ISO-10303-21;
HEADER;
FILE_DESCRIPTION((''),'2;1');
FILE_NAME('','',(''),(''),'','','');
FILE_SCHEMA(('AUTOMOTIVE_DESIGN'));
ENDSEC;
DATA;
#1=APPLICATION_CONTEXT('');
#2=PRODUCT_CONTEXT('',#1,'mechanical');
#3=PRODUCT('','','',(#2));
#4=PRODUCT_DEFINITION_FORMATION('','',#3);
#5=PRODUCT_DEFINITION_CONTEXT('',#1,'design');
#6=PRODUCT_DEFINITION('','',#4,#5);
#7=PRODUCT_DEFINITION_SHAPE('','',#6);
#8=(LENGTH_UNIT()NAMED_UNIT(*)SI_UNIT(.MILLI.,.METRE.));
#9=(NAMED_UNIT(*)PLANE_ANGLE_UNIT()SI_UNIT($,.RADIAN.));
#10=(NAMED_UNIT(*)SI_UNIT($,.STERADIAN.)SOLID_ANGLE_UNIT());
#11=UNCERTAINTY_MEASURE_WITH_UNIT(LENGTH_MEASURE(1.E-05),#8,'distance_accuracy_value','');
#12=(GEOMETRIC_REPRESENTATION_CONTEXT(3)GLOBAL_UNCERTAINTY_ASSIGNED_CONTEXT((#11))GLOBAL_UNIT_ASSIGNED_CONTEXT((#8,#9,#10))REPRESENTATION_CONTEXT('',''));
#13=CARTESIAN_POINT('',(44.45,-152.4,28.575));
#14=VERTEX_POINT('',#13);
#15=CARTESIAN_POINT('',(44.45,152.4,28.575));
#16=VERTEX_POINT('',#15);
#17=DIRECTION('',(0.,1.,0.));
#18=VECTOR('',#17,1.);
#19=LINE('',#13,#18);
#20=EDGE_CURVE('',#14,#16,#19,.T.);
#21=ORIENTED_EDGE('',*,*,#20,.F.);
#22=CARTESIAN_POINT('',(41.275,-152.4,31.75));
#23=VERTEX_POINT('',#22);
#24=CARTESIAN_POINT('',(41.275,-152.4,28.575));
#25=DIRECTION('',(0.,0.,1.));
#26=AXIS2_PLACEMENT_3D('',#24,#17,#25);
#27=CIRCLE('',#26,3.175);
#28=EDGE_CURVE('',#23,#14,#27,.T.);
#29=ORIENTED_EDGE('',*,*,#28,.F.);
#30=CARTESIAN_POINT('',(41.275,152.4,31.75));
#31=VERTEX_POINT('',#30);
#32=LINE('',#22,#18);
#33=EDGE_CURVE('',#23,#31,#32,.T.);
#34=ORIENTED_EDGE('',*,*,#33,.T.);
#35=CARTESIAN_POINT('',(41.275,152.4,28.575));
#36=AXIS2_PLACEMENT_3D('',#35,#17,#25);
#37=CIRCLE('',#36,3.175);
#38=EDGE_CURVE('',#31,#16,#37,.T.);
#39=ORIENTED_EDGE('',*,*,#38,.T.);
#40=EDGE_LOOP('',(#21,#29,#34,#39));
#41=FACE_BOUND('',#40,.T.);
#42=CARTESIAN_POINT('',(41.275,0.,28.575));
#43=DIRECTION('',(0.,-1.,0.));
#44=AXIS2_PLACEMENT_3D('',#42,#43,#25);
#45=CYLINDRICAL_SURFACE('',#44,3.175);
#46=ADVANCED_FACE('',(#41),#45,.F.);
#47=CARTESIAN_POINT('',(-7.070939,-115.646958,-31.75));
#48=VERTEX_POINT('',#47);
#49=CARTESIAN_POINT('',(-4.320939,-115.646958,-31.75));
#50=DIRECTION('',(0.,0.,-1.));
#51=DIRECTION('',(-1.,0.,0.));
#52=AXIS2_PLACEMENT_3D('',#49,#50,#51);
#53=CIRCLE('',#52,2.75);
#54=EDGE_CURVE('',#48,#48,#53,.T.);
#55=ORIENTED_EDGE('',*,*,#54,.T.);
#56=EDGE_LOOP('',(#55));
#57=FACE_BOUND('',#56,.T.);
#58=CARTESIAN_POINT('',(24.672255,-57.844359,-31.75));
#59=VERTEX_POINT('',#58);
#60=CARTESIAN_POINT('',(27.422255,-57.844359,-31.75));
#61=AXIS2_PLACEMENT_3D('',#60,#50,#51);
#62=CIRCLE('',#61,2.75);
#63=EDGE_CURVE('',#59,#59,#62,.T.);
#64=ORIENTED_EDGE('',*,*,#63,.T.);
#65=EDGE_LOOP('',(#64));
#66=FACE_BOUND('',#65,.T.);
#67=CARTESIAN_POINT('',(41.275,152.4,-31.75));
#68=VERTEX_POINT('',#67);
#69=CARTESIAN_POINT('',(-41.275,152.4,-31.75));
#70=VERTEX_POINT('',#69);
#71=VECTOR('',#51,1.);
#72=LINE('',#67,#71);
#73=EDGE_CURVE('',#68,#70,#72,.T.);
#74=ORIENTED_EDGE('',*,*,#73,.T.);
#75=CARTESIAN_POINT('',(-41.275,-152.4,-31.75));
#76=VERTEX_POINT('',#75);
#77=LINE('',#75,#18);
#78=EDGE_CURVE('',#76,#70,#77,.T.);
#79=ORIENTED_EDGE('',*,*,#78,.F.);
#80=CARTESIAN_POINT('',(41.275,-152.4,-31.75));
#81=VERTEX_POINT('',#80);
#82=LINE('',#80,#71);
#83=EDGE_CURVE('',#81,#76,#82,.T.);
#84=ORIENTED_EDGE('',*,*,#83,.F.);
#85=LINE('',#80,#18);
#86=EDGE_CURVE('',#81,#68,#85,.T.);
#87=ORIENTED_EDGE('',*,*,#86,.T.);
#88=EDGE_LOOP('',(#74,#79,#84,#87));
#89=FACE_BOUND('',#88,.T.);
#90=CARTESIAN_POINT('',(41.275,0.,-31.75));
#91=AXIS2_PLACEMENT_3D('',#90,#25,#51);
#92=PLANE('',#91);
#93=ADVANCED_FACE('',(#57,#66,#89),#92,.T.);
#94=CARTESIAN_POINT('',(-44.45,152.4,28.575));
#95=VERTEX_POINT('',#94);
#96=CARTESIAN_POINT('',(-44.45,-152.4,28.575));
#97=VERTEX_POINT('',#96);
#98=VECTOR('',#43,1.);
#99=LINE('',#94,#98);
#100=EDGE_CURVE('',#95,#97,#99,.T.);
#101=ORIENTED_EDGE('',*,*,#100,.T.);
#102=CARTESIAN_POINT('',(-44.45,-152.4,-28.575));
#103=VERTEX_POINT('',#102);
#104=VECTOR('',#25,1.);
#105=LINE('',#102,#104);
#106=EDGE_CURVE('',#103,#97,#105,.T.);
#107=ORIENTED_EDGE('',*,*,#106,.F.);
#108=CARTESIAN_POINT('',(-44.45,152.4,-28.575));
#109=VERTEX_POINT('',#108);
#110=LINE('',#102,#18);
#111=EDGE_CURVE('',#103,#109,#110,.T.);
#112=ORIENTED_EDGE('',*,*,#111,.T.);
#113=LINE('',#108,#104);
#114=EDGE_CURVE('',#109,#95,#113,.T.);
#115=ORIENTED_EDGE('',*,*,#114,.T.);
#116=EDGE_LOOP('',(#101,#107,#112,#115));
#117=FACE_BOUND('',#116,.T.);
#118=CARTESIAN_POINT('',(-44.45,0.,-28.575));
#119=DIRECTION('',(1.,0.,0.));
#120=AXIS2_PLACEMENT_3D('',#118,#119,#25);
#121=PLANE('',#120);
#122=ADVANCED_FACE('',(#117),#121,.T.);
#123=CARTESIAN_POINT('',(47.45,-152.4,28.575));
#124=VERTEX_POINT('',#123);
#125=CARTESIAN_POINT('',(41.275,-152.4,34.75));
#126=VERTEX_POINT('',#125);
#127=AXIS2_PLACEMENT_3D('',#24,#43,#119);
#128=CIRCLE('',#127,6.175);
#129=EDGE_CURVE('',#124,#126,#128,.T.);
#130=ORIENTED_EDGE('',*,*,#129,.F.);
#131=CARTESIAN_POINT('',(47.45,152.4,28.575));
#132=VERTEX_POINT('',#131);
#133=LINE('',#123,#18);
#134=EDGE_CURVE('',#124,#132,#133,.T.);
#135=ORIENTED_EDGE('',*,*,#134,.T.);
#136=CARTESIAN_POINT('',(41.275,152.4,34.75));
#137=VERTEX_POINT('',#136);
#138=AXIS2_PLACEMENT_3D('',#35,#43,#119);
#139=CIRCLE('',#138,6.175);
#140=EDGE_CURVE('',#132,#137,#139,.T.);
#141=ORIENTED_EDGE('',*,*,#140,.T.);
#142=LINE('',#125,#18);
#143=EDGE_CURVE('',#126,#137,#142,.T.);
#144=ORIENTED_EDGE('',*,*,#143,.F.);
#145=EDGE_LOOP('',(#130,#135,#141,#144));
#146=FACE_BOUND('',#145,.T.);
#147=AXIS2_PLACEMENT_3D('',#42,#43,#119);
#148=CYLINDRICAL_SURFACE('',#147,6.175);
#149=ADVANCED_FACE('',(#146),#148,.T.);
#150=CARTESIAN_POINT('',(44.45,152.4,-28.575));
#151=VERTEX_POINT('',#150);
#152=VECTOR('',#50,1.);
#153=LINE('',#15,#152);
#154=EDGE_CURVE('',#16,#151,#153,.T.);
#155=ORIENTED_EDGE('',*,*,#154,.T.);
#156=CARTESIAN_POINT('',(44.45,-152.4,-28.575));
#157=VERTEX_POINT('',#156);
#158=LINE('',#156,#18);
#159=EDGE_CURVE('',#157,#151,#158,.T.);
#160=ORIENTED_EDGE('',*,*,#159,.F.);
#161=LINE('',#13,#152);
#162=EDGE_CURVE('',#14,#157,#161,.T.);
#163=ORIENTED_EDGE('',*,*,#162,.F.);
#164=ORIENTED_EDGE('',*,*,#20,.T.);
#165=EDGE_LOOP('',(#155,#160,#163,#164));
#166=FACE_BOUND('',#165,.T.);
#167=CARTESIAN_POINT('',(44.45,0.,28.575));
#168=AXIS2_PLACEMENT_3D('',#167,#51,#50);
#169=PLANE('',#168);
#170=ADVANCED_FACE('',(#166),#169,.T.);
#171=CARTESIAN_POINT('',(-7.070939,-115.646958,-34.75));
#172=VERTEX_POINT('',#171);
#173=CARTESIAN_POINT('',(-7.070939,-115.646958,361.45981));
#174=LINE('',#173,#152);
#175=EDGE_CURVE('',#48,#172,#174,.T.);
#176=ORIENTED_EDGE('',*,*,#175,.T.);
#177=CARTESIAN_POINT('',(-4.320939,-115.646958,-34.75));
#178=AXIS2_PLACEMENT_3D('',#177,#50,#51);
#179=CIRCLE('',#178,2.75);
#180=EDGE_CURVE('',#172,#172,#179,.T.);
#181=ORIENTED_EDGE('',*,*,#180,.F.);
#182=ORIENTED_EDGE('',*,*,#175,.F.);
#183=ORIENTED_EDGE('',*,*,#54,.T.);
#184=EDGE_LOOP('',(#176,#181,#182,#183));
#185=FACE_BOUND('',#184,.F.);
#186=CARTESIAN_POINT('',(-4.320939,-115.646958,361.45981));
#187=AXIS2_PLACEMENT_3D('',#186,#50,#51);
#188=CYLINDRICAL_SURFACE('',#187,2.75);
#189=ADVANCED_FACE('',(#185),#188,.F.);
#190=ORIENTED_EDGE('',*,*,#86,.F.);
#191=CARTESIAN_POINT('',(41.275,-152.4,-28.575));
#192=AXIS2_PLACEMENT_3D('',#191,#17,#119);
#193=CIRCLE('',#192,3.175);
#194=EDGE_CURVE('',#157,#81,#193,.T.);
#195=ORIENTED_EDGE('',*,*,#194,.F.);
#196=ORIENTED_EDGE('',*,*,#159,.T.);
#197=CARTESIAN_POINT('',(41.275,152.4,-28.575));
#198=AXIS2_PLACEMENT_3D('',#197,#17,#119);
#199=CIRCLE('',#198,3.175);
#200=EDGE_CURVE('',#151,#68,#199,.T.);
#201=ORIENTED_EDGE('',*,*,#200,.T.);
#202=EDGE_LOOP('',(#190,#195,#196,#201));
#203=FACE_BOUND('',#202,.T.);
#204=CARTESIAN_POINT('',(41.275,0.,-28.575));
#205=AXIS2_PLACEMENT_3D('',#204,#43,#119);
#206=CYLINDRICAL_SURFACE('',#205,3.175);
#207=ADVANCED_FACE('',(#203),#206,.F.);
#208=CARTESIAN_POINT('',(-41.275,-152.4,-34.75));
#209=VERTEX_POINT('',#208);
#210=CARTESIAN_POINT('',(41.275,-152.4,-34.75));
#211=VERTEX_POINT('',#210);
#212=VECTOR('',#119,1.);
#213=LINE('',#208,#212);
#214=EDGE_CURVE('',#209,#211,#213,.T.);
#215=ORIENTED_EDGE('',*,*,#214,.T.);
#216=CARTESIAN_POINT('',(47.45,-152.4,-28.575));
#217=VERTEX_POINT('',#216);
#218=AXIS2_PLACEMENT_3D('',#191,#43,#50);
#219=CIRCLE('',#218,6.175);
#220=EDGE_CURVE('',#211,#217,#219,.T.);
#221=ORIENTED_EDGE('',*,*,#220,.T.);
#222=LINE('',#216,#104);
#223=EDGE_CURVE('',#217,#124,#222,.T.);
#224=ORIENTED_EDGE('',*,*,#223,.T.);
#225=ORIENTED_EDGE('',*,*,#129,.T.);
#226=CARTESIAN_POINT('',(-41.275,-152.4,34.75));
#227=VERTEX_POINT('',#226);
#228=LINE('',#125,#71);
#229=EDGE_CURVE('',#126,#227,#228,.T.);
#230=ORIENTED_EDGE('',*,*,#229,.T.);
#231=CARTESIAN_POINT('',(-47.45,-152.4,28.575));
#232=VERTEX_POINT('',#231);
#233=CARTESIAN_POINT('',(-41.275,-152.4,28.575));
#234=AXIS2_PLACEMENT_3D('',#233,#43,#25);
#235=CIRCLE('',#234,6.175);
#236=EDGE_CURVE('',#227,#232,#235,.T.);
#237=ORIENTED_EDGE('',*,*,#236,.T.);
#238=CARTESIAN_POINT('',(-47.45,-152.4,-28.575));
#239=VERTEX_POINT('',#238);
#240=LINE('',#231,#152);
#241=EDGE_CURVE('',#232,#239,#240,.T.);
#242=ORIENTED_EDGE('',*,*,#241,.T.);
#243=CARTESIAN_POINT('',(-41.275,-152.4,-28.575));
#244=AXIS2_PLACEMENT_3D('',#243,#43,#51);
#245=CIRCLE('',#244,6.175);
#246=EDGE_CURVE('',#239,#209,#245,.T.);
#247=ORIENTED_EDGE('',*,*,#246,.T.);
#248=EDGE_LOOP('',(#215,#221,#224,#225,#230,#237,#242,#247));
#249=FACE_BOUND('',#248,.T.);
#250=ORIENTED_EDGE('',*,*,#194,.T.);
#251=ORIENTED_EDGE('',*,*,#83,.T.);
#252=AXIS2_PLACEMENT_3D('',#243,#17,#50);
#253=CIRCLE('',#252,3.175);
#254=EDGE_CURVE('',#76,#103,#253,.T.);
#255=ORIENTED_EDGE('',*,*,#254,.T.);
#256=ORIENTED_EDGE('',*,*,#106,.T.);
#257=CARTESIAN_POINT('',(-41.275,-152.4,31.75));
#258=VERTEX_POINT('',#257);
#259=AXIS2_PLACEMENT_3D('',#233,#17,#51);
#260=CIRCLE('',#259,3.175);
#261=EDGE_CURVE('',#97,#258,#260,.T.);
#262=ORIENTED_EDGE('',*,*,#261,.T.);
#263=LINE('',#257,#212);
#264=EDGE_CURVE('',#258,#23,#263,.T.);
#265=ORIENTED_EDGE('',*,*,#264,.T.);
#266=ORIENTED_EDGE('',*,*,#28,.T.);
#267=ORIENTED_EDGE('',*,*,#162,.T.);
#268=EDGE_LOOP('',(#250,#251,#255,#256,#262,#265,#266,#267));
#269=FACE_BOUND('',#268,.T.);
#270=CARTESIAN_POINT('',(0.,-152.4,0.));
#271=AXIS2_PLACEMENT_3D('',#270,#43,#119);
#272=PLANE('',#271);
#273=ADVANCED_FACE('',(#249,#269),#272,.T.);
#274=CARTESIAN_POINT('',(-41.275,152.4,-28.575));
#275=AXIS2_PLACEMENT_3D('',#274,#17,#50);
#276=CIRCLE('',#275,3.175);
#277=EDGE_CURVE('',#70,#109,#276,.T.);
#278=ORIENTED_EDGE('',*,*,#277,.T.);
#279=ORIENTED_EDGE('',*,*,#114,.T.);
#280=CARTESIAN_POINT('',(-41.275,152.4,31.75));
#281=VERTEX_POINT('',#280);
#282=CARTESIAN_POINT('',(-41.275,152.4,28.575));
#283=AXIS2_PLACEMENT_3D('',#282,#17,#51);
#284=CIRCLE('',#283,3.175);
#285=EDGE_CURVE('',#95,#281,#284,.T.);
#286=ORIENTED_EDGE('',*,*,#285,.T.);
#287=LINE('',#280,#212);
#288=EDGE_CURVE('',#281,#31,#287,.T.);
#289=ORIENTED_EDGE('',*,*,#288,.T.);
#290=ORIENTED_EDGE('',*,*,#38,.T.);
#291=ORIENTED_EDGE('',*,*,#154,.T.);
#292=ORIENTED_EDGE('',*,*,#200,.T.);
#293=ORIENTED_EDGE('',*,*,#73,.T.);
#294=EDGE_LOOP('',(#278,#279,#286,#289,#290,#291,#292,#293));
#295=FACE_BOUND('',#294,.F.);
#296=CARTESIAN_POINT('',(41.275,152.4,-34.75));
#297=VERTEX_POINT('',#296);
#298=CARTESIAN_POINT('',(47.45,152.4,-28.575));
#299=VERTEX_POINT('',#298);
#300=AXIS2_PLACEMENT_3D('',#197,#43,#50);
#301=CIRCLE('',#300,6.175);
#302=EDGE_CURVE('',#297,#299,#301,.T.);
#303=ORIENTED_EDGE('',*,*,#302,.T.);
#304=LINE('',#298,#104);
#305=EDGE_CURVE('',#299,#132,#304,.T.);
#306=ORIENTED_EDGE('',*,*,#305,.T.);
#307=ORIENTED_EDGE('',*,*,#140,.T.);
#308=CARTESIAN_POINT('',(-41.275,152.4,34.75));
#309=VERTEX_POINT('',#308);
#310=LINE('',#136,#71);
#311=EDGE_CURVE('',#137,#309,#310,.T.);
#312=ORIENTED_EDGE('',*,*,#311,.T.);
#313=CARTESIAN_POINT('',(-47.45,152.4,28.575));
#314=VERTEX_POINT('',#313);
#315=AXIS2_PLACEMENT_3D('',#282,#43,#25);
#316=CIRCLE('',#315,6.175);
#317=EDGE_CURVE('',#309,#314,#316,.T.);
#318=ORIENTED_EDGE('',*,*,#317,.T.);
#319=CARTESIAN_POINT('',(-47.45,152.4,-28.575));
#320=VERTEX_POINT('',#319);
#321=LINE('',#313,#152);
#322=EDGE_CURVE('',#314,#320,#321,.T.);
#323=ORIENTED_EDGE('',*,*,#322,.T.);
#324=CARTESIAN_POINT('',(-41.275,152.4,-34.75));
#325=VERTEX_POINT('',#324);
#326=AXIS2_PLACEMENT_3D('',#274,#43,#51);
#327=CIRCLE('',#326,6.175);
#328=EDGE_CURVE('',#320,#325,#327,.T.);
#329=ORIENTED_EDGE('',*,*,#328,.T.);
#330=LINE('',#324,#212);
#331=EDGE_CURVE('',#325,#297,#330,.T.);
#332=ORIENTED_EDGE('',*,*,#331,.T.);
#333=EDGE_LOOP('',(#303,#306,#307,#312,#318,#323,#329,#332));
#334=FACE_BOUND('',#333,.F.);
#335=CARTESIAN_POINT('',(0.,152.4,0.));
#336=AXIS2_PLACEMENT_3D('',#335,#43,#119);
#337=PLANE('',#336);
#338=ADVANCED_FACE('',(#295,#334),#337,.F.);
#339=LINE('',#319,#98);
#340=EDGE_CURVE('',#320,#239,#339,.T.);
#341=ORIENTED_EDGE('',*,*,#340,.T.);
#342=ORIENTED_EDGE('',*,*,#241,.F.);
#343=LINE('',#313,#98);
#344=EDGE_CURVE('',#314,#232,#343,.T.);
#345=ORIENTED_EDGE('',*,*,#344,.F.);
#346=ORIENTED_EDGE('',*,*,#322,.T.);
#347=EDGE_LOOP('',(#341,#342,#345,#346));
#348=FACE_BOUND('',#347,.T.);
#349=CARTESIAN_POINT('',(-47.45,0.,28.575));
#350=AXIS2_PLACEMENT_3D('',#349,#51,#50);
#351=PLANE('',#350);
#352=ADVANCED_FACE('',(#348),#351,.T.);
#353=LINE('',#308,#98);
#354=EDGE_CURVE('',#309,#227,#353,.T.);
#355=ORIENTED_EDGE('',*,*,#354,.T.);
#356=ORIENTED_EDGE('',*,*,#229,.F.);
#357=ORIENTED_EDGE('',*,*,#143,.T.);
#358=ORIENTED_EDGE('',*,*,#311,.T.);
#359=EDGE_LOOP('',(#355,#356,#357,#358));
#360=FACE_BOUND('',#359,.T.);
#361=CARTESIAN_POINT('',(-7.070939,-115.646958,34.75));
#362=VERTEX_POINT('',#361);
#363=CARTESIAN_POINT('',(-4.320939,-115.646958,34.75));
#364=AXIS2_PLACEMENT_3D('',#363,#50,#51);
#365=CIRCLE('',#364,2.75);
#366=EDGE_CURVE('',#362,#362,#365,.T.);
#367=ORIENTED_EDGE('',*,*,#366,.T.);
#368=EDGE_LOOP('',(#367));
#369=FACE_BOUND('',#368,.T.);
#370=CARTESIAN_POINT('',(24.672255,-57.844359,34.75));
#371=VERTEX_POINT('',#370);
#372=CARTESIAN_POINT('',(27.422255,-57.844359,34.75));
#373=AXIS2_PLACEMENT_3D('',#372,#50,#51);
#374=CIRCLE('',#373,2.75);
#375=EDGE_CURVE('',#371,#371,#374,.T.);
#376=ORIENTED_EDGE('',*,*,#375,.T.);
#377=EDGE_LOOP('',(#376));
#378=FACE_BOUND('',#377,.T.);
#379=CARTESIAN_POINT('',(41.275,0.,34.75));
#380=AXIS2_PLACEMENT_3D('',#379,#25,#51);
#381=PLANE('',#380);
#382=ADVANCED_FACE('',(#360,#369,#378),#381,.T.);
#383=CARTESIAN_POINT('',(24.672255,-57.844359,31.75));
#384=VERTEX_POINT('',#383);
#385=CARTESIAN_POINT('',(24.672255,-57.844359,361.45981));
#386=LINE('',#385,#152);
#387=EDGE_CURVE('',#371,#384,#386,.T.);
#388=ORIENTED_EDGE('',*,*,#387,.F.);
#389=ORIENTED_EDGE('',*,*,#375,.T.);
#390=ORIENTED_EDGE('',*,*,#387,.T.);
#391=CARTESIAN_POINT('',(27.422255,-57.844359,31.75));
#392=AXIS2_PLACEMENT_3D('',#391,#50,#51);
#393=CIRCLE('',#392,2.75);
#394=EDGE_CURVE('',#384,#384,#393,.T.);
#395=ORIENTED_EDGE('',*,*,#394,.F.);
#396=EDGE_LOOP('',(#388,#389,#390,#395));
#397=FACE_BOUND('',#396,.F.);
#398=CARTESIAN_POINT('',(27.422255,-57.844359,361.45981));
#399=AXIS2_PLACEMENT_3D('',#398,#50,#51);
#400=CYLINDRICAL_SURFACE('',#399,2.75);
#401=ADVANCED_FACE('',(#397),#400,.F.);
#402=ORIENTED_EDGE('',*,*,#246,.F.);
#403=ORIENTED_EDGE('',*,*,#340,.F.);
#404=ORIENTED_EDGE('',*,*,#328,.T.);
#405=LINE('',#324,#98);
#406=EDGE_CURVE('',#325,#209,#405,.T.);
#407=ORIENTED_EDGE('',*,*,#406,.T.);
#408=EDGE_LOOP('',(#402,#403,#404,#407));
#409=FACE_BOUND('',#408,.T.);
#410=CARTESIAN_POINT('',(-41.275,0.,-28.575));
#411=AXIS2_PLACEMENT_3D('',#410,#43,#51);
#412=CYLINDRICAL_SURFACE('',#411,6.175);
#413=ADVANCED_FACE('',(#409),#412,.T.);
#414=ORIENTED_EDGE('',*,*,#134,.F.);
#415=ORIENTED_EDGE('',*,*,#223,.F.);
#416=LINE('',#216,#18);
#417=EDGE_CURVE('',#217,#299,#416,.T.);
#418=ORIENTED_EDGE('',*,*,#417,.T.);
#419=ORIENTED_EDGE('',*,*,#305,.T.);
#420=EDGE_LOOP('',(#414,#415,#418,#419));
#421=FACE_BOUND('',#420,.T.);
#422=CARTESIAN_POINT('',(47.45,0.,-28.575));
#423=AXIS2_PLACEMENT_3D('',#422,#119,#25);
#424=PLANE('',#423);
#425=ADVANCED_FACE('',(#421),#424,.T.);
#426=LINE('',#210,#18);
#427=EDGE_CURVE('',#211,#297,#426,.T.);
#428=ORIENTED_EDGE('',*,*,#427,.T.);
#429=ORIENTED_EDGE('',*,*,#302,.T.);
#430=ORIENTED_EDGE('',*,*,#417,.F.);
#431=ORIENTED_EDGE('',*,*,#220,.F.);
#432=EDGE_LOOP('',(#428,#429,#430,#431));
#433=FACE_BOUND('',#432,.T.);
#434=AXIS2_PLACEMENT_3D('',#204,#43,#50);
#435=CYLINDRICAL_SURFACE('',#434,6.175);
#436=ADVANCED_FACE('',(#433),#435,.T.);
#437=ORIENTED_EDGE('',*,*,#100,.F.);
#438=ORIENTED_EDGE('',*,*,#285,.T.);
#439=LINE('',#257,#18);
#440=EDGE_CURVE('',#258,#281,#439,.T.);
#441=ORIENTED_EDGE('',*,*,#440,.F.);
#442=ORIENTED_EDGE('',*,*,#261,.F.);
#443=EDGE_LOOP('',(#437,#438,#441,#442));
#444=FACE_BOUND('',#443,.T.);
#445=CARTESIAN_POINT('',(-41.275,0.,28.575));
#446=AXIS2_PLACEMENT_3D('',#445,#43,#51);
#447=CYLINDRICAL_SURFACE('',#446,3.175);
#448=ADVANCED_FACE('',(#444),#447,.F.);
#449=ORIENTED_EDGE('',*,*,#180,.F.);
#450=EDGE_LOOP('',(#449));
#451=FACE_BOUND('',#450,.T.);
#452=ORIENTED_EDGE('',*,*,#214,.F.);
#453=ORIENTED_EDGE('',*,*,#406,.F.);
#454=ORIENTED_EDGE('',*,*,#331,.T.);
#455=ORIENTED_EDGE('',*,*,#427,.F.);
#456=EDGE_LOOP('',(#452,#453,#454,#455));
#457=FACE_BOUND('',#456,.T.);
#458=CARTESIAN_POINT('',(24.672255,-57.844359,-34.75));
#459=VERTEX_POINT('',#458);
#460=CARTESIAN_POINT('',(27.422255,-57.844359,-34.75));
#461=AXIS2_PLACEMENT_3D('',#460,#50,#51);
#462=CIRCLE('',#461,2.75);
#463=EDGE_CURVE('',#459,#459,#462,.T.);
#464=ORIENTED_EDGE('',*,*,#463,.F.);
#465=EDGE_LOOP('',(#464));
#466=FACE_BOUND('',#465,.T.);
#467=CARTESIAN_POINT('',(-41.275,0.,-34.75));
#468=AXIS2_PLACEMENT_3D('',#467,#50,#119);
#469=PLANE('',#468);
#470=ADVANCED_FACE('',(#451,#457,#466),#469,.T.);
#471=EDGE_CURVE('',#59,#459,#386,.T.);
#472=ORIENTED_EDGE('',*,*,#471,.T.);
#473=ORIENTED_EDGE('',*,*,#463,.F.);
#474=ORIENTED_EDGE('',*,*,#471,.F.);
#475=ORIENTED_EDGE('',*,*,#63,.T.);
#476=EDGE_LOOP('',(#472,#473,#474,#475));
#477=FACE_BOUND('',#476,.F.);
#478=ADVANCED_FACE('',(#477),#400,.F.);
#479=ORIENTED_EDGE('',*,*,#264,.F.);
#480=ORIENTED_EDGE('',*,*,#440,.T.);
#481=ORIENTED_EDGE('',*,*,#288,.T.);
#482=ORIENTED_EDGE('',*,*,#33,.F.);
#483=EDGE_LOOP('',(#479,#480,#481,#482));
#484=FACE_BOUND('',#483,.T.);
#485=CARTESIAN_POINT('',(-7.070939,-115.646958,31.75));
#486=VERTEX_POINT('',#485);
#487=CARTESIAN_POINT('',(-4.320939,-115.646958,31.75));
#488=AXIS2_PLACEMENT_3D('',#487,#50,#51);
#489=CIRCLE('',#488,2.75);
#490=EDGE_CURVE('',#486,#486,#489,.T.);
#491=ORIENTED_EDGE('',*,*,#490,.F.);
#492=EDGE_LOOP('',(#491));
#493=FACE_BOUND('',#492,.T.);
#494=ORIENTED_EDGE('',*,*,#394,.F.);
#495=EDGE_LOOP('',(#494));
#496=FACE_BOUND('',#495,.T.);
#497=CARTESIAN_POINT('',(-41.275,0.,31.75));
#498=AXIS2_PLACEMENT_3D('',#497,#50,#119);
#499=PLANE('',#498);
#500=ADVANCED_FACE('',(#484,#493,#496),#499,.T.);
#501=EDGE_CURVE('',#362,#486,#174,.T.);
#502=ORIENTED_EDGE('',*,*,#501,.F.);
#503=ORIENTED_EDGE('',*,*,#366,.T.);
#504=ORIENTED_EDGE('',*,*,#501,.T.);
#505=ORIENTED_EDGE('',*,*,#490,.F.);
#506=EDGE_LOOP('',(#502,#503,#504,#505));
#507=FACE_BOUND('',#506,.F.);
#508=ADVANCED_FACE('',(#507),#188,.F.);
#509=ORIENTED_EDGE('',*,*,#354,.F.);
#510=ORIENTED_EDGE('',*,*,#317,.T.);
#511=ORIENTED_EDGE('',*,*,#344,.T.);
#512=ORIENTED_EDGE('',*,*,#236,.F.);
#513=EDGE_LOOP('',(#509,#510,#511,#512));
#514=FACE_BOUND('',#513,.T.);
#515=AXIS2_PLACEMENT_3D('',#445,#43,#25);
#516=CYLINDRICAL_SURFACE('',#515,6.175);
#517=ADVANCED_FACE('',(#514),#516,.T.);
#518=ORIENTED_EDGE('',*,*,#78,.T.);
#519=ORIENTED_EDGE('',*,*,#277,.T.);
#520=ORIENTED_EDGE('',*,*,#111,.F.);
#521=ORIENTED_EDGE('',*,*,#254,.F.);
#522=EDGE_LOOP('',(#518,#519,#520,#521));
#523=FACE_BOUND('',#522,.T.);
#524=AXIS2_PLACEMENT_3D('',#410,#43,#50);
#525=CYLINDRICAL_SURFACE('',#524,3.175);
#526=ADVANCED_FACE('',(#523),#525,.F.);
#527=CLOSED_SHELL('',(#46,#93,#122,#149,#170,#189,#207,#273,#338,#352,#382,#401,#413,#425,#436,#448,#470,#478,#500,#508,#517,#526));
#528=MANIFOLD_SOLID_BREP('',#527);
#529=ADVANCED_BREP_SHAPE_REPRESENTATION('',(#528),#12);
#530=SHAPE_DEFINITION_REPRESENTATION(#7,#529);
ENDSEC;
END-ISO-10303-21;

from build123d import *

# Parameters (mm, degrees)
F1_DEPTH = 152.4
F3_D     = 5.5


with BuildPart() as f1:
    # F0 (on Front) → F1 (new body, symmetric)
    with BuildSketch(Plane.XZ):
        with BuildLine():
            Line((41.275, 34.75), (-41.275, 34.75))
            ThreePointArc((-41.275, 34.75), (-45.6413843738, 32.9413843738), (-47.45, 28.575))
            Line((-47.45, 28.575), (-47.45, -28.575))
            ThreePointArc((-47.45, -28.575), (-45.6413843738, -32.9413843738), (-41.275, -34.75))
            Line((-41.275, -34.75), (41.275, -34.75))
            ThreePointArc((41.275, -34.75), (45.6413843738, -32.9413843738), (47.45, -28.575))
            Line((47.45, -28.575), (47.45, 28.575))
            ThreePointArc((47.45, 28.575), (45.6413843738, 32.9413843738), (41.275, 34.75))
        make_face()
        with BuildLine():
            ThreePointArc((-44.45, 28.575), (-43.5200640303, 30.8200640303), (-41.275, 31.75))
            Line((-41.275, 31.75), (41.275, 31.75))
            ThreePointArc((41.275, 31.75), (43.5200640303, 30.8200640303), (44.45, 28.575))
            Line((44.45, 28.575), (44.45, -28.575))
            ThreePointArc((44.45, -28.575), (43.5200640303, -30.8200640303), (41.275, -31.75))
            Line((41.275, -31.75), (-41.275, -31.75))
            ThreePointArc((-41.275, -31.75), (-43.5200640303, -30.8200640303), (-44.45, -28.575))
            Line((-44.45, -28.575), (-44.45, 28.575))
        make_face(mode=Mode.SUBTRACT)
    extrude(amount=F1_DEPTH, both=True)

    # F3 (through all)
    with Locations(Plane.XY.offset(34.75)):
        with Locations((27.4222549051, -57.8443594277), (-4.3209386058, -115.6469583511)):
            Hole(F3_D / 2)


solid = f1.part
